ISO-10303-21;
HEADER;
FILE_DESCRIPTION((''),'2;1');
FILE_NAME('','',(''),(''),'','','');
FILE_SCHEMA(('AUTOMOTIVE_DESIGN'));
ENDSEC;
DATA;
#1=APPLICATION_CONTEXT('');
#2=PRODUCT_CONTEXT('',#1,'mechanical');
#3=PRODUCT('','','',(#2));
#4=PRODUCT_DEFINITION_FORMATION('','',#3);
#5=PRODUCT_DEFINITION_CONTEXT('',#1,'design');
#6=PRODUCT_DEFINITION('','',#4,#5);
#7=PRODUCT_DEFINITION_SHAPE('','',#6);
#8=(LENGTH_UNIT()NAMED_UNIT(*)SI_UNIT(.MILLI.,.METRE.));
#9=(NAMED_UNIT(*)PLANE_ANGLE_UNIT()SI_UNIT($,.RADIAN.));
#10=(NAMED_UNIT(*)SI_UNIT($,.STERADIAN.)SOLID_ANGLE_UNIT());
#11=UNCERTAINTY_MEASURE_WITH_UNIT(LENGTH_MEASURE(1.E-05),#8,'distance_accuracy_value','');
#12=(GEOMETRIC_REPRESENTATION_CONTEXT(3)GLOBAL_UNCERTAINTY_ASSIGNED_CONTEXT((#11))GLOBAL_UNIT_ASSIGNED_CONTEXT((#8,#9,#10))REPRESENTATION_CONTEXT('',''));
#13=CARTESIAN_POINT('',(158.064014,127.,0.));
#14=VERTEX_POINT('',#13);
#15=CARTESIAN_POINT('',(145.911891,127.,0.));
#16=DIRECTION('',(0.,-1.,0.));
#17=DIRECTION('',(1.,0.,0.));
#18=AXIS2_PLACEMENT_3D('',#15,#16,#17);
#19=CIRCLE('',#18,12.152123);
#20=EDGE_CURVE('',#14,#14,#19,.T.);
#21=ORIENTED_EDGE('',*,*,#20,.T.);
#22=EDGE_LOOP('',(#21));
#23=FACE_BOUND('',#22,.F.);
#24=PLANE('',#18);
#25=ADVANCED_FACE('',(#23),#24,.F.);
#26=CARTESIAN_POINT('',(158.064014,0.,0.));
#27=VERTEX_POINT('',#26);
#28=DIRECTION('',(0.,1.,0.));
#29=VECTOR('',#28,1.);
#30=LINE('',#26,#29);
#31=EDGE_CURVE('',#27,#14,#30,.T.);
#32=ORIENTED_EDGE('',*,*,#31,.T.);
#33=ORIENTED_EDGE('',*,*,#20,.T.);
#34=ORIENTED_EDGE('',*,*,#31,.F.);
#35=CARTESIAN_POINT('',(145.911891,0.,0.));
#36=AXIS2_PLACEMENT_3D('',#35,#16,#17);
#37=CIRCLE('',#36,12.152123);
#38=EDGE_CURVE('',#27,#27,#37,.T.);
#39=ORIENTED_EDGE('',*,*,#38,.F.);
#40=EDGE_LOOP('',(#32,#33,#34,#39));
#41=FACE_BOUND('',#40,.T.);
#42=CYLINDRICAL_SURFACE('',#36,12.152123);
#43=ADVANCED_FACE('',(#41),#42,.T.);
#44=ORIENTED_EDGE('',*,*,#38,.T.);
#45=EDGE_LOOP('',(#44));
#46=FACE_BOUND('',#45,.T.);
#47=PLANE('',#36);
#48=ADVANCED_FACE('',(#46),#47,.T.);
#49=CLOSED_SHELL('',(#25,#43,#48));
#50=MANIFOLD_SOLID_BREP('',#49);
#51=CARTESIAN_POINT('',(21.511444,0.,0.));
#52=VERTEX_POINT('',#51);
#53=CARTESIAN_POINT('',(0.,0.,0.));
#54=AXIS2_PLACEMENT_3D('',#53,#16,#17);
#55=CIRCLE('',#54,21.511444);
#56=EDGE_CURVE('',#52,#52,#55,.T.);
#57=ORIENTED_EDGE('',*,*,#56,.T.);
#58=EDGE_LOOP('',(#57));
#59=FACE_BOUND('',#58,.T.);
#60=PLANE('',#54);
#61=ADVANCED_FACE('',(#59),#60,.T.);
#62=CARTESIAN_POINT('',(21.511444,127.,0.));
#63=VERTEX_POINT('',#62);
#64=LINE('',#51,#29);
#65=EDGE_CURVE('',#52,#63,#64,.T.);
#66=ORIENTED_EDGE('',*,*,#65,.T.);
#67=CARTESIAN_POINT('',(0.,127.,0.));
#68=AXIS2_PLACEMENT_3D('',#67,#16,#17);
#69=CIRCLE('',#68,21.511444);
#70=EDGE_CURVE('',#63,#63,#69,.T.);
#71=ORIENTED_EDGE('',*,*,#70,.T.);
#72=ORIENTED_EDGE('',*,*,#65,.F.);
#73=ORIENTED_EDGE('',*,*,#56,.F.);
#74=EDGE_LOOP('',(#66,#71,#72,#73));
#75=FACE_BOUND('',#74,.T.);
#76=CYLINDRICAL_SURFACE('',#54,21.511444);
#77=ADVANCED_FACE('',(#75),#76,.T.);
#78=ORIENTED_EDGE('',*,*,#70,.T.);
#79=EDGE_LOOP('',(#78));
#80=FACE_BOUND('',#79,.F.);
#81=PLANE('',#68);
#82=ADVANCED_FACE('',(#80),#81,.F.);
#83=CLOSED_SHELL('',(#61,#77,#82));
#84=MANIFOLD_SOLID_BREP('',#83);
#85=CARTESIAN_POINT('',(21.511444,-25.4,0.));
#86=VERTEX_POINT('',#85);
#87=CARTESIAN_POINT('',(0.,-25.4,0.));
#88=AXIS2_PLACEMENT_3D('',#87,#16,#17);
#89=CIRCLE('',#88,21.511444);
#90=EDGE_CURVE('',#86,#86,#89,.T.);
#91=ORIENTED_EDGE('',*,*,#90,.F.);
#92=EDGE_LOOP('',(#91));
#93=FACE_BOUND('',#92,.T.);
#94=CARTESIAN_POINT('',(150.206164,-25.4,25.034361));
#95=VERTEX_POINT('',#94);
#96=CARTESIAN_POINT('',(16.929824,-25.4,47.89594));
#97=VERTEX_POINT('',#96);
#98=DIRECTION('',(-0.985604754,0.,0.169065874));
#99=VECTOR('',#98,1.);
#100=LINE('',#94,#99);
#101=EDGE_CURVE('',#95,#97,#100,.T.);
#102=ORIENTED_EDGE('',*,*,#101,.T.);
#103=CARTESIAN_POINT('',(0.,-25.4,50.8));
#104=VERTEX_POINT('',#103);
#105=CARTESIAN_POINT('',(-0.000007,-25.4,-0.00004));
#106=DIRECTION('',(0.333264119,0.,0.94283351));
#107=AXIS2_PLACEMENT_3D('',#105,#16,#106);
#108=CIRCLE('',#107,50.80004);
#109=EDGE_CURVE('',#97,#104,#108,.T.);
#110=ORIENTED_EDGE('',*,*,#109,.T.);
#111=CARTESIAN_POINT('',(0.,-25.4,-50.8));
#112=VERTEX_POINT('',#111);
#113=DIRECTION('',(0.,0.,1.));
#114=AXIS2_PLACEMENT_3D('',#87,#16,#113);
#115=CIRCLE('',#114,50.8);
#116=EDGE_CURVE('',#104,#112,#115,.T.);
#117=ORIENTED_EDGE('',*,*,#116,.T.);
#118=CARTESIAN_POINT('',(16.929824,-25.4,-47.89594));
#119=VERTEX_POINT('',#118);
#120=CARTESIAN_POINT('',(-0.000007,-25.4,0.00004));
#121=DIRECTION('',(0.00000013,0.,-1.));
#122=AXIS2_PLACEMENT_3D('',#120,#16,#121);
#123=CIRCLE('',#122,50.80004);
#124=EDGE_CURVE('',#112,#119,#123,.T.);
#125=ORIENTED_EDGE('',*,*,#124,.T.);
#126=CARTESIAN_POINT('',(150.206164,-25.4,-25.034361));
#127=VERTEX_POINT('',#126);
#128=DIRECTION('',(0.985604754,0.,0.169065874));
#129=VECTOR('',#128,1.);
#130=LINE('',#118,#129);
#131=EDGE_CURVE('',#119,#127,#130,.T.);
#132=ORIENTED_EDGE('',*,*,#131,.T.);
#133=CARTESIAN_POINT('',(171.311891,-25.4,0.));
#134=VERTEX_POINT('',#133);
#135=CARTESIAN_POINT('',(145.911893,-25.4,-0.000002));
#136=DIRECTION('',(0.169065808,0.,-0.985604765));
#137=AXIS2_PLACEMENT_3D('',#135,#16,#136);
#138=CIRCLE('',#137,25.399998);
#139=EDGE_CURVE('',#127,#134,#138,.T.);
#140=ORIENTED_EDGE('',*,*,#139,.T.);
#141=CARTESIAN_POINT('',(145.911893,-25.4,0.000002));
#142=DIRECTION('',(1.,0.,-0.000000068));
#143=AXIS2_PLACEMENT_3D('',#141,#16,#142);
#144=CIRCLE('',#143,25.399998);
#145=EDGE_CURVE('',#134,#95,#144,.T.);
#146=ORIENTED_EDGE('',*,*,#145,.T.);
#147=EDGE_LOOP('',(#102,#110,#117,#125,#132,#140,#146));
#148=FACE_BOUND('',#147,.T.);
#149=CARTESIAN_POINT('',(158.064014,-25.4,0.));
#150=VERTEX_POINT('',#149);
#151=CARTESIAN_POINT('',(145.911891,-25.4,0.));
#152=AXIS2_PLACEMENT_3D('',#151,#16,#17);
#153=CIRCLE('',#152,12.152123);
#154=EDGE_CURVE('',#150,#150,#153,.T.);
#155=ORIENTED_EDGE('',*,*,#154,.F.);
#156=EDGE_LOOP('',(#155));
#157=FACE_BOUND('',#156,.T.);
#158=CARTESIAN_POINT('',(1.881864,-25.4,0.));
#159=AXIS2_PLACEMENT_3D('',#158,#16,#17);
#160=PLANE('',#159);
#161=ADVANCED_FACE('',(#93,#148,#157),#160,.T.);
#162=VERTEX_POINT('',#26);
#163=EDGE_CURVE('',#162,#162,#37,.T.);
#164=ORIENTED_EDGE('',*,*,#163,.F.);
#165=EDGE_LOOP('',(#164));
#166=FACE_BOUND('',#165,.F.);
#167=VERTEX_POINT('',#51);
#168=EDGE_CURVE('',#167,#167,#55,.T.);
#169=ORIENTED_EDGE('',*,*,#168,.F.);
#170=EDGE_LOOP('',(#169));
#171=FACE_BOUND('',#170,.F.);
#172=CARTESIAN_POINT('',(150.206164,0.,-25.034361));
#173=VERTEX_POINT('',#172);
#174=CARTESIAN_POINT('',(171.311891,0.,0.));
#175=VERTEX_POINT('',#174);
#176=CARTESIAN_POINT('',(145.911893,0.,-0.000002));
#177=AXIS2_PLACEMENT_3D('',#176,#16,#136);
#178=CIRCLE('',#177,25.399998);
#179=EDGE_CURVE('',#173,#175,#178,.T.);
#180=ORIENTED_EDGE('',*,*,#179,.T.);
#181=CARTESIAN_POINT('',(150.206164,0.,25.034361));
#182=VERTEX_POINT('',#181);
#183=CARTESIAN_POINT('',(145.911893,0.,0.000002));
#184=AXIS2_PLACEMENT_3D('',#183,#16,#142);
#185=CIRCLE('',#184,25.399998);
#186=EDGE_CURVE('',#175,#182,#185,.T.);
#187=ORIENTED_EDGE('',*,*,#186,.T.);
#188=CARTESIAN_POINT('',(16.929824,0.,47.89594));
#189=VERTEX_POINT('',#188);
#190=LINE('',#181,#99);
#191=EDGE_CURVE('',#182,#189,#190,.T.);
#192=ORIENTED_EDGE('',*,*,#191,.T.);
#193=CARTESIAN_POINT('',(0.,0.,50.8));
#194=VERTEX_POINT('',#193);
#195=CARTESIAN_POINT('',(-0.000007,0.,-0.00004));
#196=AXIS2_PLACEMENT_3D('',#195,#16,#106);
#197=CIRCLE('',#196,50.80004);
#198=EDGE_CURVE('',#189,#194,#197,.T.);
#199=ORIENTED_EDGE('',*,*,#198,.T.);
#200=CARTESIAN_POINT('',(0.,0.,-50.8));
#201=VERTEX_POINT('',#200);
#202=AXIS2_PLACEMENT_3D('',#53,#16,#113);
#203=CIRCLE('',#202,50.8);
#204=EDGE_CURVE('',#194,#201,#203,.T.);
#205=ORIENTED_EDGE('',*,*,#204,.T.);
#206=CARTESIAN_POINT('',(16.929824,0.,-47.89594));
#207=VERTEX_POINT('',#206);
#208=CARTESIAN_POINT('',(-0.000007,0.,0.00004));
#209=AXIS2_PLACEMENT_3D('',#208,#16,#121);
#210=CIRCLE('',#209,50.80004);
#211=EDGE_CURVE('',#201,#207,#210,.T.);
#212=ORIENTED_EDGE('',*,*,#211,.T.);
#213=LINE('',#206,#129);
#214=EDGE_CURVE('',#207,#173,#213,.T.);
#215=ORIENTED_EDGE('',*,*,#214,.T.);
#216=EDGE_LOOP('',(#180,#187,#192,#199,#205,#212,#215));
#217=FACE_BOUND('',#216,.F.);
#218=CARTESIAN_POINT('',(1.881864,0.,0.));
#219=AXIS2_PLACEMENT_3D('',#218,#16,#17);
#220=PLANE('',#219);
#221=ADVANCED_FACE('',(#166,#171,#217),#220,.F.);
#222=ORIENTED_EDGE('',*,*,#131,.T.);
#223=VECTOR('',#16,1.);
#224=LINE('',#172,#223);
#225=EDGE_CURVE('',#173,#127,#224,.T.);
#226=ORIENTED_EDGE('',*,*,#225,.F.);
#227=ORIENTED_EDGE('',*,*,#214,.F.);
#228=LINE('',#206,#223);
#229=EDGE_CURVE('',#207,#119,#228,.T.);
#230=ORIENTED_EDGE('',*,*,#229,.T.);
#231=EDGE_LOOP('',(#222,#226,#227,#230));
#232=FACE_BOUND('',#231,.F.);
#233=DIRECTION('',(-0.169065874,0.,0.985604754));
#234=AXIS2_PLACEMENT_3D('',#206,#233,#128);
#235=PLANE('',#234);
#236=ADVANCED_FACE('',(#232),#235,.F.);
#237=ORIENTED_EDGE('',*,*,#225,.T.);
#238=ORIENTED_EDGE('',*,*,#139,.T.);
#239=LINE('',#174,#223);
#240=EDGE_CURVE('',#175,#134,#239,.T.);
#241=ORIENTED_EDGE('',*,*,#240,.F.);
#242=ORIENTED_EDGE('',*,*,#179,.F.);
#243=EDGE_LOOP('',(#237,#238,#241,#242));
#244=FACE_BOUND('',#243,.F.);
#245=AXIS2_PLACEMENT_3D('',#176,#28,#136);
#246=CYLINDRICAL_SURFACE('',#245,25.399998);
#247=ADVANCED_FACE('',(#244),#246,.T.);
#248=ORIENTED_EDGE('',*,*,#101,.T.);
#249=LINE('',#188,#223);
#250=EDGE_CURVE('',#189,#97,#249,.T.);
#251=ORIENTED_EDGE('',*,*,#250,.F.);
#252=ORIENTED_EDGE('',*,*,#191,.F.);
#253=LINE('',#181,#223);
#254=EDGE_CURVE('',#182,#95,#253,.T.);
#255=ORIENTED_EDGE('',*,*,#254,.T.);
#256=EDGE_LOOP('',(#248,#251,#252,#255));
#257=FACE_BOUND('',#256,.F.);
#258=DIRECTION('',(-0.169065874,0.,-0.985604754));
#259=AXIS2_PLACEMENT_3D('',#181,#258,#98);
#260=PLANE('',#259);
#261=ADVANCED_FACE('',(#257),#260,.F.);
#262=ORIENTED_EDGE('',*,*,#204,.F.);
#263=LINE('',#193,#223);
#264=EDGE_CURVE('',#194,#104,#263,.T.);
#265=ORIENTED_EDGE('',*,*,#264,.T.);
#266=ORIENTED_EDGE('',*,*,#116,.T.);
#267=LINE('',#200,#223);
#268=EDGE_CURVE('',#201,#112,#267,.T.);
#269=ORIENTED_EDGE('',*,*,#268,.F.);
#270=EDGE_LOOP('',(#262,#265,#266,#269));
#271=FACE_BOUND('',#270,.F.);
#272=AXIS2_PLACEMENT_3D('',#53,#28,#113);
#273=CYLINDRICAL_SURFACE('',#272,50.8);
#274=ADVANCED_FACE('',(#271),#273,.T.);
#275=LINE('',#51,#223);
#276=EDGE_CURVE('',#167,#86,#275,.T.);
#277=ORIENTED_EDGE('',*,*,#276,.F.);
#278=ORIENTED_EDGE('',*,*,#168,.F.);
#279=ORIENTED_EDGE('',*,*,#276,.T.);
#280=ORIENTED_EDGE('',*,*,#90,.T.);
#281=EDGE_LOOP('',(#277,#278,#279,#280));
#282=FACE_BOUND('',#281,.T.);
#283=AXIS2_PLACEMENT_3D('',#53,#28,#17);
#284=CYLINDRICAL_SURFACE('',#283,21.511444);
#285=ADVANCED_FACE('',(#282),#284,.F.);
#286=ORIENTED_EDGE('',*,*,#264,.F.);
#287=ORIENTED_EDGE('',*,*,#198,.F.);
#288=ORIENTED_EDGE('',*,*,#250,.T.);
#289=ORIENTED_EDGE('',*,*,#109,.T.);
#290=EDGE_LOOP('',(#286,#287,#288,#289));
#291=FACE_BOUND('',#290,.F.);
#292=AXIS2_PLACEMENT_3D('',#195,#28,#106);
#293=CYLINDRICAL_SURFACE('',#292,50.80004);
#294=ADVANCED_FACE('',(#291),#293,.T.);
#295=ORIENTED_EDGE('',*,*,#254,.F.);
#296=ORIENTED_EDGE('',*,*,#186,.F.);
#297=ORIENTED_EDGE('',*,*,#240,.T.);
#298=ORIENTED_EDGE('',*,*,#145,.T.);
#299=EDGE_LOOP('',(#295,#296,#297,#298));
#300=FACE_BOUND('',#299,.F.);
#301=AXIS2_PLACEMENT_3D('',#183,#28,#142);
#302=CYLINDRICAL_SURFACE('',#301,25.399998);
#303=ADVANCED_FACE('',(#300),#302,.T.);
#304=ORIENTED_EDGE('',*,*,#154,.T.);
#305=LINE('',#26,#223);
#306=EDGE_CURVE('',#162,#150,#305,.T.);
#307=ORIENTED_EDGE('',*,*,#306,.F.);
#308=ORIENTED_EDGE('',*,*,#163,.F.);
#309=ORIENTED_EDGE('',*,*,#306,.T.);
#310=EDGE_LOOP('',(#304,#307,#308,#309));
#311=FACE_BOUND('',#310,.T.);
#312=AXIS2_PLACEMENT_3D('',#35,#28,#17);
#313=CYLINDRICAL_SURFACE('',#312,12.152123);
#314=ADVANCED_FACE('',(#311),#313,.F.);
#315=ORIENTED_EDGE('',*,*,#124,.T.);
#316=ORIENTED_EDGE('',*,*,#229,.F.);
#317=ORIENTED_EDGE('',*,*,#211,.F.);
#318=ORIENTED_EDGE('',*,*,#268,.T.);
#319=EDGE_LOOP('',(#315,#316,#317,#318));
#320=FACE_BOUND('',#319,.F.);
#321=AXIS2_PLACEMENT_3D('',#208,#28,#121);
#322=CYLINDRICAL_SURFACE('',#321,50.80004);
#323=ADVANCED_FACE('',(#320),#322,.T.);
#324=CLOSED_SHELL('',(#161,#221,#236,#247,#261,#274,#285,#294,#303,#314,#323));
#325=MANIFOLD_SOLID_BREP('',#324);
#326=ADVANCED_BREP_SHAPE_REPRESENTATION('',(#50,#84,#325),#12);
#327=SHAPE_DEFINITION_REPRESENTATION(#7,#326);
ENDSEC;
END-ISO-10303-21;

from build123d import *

# Parameters (mm, degrees)
F0_R     = 21.511444
F0_R_2   = 12.152123
F1_DEPTH = 25.4
F2_DEPTH = 127


with BuildPart() as f1:
    # F0 (on Front) → F1 (new body)
    with BuildSketch(Plane.XZ):
        with BuildLine():
            Line((16.929824, 47.89594), (0, 50.8))
            ThreePointArc((0, 50.8), (-50.8, 0), (0, -50.8))
            Line((0, -50.8), (16.929824, -47.89594))
            ThreePointArc((16.929824, -47.89594), (41.476952, -29.330913), (50.8, 0))
            ThreePointArc((50.8, 0), (41.476952, 29.330913), (16.929824, 47.89594))
        make_face()
        Circle(F0_R, mode=Mode.SUBTRACT)
        with BuildLine():
            ThreePointArc((16.929824, 47.89594), (8.588546, 50.068721), (0, 50.8))
            Line((0, 50.8), (16.929824, 47.89594))
        make_face()
        with BuildLine():
            Line((16.929824, -47.89594), (0, -50.8))
            ThreePointArc((0, -50.8), (8.588546, -50.068721), (16.929824, -47.89594))
        make_face()
        with BuildLine():
            Line((150.206164, 25.034361), (16.929824, 47.89594))
            ThreePointArc((16.929824, 47.89594), (41.476952, 29.330913), (50.8, 0))
            ThreePointArc((50.8, 0), (41.476952, -29.330913), (16.929824, -47.89594))
            Line((16.929824, -47.89594), (150.206164, -25.034361))
            ThreePointArc((150.206164, -25.034361), (120.511891, 0), (150.206164, 25.034361))
        make_face()
        with BuildLine():
            ThreePointArc((171.311891, 0), (165.331399, 16.372011), (150.206164, 25.034361))
            ThreePointArc((150.206164, 25.034361), (120.511891, 0), (150.206164, -25.034361))
            ThreePointArc((150.206164, -25.034361), (165.331399, -16.372011), (171.311891, 0))
        make_face()
        with Locations((145.911891, 0)):
            Circle(F0_R_2, mode=Mode.SUBTRACT)
    extrude(amount=F1_DEPTH)


with BuildPart() as f2:
    # F0 (on Front) → F2 (new body)
    with BuildSketch(Plane.XZ):
        Circle(F0_R)
        with Locations((145.911891, 0)):
            Circle(F0_R_2)
    extrude(amount=-F2_DEPTH)


solid = Compound([f1.part, f2.part])
